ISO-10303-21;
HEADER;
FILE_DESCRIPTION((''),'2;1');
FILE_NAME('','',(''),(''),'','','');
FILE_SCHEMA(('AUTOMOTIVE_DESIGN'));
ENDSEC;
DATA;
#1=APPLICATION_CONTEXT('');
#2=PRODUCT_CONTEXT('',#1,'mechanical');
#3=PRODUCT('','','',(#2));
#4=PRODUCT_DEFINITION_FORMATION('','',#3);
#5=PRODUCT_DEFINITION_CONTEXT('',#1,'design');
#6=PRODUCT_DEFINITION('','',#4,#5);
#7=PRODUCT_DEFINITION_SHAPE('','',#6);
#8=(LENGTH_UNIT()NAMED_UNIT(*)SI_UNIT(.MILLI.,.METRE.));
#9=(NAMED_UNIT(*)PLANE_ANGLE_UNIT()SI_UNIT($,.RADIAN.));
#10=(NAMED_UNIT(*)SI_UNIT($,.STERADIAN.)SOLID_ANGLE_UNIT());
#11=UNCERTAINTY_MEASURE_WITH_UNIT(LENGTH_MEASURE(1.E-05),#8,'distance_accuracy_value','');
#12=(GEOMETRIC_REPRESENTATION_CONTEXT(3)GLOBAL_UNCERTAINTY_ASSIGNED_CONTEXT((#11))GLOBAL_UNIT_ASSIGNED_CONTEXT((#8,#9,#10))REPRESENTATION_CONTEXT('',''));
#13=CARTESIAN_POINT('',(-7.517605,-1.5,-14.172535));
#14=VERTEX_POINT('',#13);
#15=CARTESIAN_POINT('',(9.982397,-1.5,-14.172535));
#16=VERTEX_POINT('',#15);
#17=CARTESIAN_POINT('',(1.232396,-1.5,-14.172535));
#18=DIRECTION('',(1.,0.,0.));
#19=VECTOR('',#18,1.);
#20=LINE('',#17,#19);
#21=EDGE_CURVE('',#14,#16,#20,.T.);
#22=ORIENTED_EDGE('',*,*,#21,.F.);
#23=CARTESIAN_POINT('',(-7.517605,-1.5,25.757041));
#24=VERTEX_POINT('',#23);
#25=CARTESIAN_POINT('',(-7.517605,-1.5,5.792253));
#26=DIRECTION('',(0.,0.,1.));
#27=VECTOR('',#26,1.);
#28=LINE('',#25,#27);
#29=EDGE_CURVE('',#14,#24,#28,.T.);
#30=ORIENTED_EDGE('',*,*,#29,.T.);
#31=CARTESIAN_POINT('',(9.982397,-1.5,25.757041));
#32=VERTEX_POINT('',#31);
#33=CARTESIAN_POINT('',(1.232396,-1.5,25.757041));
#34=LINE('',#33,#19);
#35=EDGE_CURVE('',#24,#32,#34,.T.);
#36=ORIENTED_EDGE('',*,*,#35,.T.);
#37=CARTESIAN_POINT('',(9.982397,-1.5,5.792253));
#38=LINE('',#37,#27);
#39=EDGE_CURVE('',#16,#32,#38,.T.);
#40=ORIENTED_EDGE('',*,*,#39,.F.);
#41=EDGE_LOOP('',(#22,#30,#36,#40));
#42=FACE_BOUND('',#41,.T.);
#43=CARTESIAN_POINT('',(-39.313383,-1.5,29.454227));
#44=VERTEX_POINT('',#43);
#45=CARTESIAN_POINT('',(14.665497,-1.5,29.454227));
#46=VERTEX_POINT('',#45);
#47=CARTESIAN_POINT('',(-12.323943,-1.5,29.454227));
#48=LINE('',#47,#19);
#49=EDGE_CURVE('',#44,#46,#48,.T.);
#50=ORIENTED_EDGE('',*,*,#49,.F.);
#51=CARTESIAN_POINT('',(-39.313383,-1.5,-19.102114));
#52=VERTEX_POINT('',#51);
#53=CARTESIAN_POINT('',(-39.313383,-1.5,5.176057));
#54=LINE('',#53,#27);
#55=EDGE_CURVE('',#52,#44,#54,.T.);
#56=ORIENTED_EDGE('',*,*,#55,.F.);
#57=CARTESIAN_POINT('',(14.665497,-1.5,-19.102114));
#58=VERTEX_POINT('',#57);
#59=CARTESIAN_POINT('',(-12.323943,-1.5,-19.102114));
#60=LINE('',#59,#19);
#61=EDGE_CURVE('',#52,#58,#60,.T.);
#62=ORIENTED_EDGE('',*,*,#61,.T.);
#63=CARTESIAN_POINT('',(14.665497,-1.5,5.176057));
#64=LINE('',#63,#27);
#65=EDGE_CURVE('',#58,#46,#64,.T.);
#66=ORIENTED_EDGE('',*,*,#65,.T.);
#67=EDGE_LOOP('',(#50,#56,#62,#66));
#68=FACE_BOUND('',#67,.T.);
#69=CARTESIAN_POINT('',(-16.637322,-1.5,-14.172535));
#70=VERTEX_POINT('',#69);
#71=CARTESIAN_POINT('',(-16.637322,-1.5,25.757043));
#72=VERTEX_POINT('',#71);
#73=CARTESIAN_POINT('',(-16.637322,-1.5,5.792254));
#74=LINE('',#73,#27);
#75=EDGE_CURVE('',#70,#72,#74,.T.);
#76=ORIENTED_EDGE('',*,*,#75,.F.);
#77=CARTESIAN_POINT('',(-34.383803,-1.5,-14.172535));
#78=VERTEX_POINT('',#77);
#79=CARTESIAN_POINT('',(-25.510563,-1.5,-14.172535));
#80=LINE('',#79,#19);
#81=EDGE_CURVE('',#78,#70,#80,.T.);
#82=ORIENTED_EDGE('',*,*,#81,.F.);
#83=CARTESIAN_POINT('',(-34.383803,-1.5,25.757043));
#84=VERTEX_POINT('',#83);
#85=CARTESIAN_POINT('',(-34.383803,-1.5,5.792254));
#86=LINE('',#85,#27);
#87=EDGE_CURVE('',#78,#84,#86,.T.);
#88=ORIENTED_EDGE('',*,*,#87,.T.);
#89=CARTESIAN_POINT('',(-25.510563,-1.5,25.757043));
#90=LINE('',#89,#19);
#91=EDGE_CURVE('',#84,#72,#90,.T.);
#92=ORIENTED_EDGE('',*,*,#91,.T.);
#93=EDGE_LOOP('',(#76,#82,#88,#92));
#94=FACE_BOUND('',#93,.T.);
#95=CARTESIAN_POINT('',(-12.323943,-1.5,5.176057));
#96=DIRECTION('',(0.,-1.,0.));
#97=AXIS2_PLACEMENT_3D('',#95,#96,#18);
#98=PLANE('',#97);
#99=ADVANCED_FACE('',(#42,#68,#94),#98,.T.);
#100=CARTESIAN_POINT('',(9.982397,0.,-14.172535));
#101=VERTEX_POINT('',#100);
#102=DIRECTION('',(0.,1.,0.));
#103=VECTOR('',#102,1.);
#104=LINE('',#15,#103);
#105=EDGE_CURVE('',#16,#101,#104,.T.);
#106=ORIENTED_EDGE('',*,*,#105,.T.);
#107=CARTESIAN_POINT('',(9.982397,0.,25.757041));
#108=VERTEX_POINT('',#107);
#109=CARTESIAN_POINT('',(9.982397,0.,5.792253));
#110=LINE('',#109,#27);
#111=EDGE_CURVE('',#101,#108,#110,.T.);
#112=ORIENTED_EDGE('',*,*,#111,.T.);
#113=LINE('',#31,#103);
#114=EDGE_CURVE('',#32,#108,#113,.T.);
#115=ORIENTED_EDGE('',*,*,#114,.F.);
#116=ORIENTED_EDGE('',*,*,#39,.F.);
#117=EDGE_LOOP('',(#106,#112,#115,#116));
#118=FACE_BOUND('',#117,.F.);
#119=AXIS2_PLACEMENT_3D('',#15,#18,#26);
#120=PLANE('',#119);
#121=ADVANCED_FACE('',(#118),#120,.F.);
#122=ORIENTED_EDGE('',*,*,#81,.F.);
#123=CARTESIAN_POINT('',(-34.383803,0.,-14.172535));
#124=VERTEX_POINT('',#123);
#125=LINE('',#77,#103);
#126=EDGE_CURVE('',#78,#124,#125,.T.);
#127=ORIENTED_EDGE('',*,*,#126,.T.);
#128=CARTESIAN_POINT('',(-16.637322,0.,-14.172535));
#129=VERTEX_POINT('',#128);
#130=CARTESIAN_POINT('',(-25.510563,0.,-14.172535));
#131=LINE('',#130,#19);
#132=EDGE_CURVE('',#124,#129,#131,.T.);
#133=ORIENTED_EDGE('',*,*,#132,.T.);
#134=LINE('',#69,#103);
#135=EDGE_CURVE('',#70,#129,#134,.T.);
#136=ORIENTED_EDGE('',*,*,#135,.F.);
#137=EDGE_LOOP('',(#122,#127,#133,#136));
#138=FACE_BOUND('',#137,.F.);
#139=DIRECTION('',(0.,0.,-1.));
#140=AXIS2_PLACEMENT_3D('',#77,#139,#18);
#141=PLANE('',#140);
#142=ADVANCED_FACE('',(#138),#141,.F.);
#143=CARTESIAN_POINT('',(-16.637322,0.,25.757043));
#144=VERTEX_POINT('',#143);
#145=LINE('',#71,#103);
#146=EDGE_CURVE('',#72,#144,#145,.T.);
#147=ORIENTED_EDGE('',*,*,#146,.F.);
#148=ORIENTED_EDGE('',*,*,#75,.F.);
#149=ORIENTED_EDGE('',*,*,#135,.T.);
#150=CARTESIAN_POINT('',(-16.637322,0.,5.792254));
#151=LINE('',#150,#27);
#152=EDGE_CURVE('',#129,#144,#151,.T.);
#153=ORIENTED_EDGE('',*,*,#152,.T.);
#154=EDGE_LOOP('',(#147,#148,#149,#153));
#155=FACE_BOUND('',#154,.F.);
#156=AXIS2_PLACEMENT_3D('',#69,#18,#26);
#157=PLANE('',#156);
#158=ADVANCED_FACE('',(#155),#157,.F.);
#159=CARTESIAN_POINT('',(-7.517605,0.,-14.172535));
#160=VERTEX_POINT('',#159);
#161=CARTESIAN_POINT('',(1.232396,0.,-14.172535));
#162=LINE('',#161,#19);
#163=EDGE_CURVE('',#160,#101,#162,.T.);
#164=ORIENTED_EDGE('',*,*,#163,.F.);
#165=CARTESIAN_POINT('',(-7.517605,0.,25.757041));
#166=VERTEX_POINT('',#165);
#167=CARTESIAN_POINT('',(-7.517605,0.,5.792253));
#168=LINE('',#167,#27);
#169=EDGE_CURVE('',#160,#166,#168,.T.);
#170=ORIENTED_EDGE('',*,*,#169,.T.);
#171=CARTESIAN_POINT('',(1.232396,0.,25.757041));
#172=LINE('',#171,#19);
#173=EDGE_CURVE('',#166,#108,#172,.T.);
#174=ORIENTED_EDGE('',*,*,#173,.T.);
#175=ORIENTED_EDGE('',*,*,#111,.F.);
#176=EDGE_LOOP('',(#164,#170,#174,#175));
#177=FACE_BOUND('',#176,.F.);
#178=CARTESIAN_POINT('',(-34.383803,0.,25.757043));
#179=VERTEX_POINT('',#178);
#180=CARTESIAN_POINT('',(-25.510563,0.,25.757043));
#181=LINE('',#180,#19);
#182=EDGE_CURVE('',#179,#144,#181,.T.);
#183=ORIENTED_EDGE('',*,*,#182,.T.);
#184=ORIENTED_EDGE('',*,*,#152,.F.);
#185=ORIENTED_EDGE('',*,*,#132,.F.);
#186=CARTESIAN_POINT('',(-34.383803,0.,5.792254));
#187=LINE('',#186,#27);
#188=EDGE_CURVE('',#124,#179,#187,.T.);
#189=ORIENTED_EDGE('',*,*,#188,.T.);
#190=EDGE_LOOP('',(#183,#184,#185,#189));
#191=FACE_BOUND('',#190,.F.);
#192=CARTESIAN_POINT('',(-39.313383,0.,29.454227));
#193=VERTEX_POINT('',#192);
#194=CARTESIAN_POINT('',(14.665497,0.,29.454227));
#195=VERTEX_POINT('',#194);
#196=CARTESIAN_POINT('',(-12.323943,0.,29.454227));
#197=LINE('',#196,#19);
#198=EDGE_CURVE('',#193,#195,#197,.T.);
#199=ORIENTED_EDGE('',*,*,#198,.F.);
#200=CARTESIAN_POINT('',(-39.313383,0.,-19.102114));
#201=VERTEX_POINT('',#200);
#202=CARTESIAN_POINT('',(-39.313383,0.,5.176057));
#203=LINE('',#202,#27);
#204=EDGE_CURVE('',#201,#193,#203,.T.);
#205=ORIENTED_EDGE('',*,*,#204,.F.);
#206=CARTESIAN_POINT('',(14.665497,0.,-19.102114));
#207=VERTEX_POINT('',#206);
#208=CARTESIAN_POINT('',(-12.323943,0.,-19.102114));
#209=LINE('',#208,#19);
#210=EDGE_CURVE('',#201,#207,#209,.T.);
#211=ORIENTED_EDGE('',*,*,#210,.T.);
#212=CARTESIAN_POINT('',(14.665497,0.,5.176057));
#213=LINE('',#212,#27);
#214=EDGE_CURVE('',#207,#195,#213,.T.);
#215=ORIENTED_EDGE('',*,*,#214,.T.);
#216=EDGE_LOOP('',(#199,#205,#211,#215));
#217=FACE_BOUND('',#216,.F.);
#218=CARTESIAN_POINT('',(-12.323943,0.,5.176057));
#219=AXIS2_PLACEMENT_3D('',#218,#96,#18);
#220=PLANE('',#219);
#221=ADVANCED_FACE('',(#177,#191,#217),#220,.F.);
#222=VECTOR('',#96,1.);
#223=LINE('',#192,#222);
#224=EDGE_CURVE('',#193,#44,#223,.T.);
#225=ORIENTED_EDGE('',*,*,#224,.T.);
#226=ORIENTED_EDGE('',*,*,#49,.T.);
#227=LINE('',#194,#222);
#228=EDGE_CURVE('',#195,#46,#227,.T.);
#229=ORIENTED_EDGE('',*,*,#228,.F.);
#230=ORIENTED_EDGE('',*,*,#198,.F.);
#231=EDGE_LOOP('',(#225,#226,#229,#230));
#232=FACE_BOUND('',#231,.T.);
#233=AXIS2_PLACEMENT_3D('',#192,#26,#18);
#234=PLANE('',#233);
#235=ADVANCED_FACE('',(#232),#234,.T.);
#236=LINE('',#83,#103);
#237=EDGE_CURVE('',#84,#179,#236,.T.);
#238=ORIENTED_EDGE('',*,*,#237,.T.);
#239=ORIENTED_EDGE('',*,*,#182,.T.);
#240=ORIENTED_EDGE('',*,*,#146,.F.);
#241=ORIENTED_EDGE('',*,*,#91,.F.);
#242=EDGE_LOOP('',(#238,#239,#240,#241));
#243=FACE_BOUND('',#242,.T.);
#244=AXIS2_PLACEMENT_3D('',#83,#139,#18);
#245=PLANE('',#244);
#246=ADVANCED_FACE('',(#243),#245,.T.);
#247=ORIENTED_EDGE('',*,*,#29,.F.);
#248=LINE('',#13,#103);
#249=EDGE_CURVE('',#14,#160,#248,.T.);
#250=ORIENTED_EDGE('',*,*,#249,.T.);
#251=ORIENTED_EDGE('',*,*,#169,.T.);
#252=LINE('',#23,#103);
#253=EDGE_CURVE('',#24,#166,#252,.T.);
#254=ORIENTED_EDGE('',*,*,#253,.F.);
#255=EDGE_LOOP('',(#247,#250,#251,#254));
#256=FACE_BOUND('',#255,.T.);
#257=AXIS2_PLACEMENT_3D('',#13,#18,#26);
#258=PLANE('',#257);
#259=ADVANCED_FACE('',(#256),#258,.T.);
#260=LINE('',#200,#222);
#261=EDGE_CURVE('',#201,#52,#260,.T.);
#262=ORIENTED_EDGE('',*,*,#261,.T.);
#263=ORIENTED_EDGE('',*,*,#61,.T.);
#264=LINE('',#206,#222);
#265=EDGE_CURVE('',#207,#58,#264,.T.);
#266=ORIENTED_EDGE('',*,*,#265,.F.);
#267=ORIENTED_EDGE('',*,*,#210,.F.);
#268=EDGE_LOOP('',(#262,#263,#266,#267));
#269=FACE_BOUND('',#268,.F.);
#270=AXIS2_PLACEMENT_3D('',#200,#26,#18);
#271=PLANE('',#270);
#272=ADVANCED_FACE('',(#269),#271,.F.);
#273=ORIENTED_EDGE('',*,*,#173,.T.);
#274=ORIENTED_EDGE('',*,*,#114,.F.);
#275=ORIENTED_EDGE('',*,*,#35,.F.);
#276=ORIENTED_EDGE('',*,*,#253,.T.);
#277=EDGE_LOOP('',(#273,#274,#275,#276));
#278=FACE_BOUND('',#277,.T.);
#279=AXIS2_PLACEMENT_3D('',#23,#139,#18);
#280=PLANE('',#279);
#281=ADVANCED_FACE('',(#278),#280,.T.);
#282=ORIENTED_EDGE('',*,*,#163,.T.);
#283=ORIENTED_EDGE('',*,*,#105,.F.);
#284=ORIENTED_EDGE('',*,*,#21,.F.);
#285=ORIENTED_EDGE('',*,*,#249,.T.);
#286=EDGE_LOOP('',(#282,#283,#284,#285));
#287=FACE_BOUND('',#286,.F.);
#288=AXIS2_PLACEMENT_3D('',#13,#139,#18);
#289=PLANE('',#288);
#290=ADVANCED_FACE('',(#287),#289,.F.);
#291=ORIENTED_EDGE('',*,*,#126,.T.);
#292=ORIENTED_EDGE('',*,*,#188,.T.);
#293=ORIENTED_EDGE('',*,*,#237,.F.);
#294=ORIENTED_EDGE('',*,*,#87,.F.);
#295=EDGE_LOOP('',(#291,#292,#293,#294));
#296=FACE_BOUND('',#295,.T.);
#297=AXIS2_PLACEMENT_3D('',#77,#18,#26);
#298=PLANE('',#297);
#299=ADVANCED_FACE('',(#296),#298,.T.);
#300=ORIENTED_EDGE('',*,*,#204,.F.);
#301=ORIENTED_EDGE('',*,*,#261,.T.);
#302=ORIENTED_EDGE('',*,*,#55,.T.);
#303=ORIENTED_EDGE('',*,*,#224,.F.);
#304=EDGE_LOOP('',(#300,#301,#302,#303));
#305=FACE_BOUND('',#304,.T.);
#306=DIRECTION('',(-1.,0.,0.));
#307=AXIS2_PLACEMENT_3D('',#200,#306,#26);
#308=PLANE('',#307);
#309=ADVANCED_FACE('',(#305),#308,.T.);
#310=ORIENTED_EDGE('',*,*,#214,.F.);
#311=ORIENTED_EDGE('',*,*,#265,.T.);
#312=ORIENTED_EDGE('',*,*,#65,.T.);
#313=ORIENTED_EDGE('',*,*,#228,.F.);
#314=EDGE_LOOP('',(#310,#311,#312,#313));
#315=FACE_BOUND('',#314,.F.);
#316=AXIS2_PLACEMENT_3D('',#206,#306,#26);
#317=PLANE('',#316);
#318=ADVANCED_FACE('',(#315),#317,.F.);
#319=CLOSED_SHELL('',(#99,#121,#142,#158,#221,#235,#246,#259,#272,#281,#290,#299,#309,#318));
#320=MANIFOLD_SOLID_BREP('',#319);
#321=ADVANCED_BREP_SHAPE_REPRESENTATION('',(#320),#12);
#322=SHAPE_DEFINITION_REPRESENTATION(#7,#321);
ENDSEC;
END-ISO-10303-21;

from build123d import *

# Parameters (mm, degrees)
F0_W     = 53.97888
F0_H     = 48.556341
F1_DEPTH = 1.5
F2_W     = 17.746481
F2_H     = 39.929578
F2_W_2   = 17.500002
F2_H_2   = 39.929576
F3_DEPTH = 1.5


with BuildPart() as f1:
    # F0 (on Front) → F1 (new body)
    with BuildSketch(Plane.XZ):
        with Locations((-12.323943, 5.176057)):
            Rectangle(F0_W, F0_H)
    extrude(amount=F1_DEPTH)

    # F2 (on face) → F3 (cut)
    with BuildSketch(Plane.XZ.offset(1.5)):
        with Locations((-25.510563, 5.792254)):
            Rectangle(F2_W, F2_H)
        with Locations((1.232396, 5.792253)):
            Rectangle(F2_W_2, F2_H_2)
    extrude(amount=-F3_DEPTH, mode=Mode.SUBTRACT)


solid = f1.part
